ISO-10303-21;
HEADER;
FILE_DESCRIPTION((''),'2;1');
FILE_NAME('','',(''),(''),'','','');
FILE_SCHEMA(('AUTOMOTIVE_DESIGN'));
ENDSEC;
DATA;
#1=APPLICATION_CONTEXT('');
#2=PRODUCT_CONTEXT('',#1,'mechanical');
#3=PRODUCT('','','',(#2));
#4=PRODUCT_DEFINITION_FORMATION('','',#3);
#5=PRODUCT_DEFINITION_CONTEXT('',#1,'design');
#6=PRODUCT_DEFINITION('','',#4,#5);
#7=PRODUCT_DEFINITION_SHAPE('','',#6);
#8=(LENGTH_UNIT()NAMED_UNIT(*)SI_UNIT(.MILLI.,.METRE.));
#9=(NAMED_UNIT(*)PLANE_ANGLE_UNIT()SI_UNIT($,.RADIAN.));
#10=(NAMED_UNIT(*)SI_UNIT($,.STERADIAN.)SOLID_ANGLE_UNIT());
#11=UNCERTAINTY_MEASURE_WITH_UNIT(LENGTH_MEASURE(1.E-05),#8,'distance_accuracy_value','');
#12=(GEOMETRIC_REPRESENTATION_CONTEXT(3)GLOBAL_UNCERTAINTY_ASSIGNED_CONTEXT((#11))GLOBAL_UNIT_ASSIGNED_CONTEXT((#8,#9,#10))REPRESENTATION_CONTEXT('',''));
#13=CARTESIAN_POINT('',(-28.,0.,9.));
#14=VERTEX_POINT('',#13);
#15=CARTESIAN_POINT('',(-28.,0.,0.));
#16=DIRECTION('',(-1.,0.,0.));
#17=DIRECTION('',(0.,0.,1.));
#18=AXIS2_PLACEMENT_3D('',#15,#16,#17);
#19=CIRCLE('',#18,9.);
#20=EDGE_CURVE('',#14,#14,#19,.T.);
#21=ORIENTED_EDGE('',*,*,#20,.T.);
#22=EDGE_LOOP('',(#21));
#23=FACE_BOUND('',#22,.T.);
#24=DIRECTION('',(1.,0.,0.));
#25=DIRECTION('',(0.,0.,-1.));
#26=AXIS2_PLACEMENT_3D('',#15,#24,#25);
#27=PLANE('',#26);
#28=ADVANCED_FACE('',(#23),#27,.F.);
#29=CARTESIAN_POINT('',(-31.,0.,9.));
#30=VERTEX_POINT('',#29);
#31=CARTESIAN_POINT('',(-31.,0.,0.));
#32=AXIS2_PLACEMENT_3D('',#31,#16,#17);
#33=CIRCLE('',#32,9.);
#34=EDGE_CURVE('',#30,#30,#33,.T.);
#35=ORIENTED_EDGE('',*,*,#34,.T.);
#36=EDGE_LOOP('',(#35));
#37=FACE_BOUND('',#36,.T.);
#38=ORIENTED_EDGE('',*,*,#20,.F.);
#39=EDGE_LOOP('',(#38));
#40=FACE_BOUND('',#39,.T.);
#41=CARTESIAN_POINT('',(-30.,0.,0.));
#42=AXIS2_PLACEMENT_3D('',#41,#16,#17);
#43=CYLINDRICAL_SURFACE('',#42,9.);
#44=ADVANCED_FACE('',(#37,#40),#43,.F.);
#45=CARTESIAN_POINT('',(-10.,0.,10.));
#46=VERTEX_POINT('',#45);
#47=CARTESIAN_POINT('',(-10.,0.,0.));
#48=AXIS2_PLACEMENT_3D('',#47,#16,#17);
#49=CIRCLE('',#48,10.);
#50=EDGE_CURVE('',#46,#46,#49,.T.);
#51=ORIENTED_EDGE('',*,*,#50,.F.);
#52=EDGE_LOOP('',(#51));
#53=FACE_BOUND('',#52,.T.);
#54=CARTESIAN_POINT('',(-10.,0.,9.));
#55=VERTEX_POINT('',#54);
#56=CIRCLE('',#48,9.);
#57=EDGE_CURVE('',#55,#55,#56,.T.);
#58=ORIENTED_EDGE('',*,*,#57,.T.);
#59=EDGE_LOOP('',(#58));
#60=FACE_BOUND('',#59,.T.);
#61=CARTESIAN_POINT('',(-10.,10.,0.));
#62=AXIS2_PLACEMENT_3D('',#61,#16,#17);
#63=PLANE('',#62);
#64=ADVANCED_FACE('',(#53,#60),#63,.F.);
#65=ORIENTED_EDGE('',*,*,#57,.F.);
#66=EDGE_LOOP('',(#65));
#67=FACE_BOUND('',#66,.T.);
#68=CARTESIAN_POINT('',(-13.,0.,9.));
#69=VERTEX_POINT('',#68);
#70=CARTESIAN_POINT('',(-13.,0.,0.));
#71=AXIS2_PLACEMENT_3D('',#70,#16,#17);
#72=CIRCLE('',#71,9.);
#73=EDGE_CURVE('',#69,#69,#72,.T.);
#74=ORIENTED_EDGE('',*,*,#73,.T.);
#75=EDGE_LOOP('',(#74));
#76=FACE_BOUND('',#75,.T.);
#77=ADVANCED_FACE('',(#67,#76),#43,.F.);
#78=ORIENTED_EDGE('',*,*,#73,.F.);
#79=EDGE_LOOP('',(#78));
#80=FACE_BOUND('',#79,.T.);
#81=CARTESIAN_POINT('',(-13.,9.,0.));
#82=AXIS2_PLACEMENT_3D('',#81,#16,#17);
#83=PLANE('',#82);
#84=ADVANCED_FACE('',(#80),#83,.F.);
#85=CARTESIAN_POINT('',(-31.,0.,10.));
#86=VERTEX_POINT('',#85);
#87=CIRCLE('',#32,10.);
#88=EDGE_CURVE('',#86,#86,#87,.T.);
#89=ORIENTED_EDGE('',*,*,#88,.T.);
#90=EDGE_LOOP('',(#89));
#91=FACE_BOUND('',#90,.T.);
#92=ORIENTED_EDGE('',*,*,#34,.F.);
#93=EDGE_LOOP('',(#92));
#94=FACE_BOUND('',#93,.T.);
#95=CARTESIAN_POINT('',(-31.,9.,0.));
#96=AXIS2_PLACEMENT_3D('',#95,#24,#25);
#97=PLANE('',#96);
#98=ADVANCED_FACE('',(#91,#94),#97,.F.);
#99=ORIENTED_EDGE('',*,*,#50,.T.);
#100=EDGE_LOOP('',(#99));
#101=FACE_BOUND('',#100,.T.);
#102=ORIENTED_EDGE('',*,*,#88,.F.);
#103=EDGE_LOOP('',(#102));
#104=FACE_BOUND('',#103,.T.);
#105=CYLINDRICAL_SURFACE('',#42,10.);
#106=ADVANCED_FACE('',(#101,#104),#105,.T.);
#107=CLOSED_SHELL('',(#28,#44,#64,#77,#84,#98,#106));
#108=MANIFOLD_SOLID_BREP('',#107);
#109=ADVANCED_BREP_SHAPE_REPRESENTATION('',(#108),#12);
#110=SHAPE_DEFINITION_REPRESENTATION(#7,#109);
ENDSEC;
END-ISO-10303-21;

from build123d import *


with BuildPart() as part:
    # Esquisse1 → Base-Révolution (revolve)
    with BuildSketch(Plane.XY, mode=Mode.PRIVATE) as base_r_volution_sk:
        Polygon((-13, 9), (-13, 0), (-28, 0), (-28, 9), (-31, 9), (-31, 10), (-10, 10), (-10, 9), align=None)
    revolve(base_r_volution_sk.sketch.rotate(Axis((-30, 0, 0), (1, 0, 0)), 90), axis=Axis((-30, 0, 0), (1, 0, 0)))


solid = part.part
